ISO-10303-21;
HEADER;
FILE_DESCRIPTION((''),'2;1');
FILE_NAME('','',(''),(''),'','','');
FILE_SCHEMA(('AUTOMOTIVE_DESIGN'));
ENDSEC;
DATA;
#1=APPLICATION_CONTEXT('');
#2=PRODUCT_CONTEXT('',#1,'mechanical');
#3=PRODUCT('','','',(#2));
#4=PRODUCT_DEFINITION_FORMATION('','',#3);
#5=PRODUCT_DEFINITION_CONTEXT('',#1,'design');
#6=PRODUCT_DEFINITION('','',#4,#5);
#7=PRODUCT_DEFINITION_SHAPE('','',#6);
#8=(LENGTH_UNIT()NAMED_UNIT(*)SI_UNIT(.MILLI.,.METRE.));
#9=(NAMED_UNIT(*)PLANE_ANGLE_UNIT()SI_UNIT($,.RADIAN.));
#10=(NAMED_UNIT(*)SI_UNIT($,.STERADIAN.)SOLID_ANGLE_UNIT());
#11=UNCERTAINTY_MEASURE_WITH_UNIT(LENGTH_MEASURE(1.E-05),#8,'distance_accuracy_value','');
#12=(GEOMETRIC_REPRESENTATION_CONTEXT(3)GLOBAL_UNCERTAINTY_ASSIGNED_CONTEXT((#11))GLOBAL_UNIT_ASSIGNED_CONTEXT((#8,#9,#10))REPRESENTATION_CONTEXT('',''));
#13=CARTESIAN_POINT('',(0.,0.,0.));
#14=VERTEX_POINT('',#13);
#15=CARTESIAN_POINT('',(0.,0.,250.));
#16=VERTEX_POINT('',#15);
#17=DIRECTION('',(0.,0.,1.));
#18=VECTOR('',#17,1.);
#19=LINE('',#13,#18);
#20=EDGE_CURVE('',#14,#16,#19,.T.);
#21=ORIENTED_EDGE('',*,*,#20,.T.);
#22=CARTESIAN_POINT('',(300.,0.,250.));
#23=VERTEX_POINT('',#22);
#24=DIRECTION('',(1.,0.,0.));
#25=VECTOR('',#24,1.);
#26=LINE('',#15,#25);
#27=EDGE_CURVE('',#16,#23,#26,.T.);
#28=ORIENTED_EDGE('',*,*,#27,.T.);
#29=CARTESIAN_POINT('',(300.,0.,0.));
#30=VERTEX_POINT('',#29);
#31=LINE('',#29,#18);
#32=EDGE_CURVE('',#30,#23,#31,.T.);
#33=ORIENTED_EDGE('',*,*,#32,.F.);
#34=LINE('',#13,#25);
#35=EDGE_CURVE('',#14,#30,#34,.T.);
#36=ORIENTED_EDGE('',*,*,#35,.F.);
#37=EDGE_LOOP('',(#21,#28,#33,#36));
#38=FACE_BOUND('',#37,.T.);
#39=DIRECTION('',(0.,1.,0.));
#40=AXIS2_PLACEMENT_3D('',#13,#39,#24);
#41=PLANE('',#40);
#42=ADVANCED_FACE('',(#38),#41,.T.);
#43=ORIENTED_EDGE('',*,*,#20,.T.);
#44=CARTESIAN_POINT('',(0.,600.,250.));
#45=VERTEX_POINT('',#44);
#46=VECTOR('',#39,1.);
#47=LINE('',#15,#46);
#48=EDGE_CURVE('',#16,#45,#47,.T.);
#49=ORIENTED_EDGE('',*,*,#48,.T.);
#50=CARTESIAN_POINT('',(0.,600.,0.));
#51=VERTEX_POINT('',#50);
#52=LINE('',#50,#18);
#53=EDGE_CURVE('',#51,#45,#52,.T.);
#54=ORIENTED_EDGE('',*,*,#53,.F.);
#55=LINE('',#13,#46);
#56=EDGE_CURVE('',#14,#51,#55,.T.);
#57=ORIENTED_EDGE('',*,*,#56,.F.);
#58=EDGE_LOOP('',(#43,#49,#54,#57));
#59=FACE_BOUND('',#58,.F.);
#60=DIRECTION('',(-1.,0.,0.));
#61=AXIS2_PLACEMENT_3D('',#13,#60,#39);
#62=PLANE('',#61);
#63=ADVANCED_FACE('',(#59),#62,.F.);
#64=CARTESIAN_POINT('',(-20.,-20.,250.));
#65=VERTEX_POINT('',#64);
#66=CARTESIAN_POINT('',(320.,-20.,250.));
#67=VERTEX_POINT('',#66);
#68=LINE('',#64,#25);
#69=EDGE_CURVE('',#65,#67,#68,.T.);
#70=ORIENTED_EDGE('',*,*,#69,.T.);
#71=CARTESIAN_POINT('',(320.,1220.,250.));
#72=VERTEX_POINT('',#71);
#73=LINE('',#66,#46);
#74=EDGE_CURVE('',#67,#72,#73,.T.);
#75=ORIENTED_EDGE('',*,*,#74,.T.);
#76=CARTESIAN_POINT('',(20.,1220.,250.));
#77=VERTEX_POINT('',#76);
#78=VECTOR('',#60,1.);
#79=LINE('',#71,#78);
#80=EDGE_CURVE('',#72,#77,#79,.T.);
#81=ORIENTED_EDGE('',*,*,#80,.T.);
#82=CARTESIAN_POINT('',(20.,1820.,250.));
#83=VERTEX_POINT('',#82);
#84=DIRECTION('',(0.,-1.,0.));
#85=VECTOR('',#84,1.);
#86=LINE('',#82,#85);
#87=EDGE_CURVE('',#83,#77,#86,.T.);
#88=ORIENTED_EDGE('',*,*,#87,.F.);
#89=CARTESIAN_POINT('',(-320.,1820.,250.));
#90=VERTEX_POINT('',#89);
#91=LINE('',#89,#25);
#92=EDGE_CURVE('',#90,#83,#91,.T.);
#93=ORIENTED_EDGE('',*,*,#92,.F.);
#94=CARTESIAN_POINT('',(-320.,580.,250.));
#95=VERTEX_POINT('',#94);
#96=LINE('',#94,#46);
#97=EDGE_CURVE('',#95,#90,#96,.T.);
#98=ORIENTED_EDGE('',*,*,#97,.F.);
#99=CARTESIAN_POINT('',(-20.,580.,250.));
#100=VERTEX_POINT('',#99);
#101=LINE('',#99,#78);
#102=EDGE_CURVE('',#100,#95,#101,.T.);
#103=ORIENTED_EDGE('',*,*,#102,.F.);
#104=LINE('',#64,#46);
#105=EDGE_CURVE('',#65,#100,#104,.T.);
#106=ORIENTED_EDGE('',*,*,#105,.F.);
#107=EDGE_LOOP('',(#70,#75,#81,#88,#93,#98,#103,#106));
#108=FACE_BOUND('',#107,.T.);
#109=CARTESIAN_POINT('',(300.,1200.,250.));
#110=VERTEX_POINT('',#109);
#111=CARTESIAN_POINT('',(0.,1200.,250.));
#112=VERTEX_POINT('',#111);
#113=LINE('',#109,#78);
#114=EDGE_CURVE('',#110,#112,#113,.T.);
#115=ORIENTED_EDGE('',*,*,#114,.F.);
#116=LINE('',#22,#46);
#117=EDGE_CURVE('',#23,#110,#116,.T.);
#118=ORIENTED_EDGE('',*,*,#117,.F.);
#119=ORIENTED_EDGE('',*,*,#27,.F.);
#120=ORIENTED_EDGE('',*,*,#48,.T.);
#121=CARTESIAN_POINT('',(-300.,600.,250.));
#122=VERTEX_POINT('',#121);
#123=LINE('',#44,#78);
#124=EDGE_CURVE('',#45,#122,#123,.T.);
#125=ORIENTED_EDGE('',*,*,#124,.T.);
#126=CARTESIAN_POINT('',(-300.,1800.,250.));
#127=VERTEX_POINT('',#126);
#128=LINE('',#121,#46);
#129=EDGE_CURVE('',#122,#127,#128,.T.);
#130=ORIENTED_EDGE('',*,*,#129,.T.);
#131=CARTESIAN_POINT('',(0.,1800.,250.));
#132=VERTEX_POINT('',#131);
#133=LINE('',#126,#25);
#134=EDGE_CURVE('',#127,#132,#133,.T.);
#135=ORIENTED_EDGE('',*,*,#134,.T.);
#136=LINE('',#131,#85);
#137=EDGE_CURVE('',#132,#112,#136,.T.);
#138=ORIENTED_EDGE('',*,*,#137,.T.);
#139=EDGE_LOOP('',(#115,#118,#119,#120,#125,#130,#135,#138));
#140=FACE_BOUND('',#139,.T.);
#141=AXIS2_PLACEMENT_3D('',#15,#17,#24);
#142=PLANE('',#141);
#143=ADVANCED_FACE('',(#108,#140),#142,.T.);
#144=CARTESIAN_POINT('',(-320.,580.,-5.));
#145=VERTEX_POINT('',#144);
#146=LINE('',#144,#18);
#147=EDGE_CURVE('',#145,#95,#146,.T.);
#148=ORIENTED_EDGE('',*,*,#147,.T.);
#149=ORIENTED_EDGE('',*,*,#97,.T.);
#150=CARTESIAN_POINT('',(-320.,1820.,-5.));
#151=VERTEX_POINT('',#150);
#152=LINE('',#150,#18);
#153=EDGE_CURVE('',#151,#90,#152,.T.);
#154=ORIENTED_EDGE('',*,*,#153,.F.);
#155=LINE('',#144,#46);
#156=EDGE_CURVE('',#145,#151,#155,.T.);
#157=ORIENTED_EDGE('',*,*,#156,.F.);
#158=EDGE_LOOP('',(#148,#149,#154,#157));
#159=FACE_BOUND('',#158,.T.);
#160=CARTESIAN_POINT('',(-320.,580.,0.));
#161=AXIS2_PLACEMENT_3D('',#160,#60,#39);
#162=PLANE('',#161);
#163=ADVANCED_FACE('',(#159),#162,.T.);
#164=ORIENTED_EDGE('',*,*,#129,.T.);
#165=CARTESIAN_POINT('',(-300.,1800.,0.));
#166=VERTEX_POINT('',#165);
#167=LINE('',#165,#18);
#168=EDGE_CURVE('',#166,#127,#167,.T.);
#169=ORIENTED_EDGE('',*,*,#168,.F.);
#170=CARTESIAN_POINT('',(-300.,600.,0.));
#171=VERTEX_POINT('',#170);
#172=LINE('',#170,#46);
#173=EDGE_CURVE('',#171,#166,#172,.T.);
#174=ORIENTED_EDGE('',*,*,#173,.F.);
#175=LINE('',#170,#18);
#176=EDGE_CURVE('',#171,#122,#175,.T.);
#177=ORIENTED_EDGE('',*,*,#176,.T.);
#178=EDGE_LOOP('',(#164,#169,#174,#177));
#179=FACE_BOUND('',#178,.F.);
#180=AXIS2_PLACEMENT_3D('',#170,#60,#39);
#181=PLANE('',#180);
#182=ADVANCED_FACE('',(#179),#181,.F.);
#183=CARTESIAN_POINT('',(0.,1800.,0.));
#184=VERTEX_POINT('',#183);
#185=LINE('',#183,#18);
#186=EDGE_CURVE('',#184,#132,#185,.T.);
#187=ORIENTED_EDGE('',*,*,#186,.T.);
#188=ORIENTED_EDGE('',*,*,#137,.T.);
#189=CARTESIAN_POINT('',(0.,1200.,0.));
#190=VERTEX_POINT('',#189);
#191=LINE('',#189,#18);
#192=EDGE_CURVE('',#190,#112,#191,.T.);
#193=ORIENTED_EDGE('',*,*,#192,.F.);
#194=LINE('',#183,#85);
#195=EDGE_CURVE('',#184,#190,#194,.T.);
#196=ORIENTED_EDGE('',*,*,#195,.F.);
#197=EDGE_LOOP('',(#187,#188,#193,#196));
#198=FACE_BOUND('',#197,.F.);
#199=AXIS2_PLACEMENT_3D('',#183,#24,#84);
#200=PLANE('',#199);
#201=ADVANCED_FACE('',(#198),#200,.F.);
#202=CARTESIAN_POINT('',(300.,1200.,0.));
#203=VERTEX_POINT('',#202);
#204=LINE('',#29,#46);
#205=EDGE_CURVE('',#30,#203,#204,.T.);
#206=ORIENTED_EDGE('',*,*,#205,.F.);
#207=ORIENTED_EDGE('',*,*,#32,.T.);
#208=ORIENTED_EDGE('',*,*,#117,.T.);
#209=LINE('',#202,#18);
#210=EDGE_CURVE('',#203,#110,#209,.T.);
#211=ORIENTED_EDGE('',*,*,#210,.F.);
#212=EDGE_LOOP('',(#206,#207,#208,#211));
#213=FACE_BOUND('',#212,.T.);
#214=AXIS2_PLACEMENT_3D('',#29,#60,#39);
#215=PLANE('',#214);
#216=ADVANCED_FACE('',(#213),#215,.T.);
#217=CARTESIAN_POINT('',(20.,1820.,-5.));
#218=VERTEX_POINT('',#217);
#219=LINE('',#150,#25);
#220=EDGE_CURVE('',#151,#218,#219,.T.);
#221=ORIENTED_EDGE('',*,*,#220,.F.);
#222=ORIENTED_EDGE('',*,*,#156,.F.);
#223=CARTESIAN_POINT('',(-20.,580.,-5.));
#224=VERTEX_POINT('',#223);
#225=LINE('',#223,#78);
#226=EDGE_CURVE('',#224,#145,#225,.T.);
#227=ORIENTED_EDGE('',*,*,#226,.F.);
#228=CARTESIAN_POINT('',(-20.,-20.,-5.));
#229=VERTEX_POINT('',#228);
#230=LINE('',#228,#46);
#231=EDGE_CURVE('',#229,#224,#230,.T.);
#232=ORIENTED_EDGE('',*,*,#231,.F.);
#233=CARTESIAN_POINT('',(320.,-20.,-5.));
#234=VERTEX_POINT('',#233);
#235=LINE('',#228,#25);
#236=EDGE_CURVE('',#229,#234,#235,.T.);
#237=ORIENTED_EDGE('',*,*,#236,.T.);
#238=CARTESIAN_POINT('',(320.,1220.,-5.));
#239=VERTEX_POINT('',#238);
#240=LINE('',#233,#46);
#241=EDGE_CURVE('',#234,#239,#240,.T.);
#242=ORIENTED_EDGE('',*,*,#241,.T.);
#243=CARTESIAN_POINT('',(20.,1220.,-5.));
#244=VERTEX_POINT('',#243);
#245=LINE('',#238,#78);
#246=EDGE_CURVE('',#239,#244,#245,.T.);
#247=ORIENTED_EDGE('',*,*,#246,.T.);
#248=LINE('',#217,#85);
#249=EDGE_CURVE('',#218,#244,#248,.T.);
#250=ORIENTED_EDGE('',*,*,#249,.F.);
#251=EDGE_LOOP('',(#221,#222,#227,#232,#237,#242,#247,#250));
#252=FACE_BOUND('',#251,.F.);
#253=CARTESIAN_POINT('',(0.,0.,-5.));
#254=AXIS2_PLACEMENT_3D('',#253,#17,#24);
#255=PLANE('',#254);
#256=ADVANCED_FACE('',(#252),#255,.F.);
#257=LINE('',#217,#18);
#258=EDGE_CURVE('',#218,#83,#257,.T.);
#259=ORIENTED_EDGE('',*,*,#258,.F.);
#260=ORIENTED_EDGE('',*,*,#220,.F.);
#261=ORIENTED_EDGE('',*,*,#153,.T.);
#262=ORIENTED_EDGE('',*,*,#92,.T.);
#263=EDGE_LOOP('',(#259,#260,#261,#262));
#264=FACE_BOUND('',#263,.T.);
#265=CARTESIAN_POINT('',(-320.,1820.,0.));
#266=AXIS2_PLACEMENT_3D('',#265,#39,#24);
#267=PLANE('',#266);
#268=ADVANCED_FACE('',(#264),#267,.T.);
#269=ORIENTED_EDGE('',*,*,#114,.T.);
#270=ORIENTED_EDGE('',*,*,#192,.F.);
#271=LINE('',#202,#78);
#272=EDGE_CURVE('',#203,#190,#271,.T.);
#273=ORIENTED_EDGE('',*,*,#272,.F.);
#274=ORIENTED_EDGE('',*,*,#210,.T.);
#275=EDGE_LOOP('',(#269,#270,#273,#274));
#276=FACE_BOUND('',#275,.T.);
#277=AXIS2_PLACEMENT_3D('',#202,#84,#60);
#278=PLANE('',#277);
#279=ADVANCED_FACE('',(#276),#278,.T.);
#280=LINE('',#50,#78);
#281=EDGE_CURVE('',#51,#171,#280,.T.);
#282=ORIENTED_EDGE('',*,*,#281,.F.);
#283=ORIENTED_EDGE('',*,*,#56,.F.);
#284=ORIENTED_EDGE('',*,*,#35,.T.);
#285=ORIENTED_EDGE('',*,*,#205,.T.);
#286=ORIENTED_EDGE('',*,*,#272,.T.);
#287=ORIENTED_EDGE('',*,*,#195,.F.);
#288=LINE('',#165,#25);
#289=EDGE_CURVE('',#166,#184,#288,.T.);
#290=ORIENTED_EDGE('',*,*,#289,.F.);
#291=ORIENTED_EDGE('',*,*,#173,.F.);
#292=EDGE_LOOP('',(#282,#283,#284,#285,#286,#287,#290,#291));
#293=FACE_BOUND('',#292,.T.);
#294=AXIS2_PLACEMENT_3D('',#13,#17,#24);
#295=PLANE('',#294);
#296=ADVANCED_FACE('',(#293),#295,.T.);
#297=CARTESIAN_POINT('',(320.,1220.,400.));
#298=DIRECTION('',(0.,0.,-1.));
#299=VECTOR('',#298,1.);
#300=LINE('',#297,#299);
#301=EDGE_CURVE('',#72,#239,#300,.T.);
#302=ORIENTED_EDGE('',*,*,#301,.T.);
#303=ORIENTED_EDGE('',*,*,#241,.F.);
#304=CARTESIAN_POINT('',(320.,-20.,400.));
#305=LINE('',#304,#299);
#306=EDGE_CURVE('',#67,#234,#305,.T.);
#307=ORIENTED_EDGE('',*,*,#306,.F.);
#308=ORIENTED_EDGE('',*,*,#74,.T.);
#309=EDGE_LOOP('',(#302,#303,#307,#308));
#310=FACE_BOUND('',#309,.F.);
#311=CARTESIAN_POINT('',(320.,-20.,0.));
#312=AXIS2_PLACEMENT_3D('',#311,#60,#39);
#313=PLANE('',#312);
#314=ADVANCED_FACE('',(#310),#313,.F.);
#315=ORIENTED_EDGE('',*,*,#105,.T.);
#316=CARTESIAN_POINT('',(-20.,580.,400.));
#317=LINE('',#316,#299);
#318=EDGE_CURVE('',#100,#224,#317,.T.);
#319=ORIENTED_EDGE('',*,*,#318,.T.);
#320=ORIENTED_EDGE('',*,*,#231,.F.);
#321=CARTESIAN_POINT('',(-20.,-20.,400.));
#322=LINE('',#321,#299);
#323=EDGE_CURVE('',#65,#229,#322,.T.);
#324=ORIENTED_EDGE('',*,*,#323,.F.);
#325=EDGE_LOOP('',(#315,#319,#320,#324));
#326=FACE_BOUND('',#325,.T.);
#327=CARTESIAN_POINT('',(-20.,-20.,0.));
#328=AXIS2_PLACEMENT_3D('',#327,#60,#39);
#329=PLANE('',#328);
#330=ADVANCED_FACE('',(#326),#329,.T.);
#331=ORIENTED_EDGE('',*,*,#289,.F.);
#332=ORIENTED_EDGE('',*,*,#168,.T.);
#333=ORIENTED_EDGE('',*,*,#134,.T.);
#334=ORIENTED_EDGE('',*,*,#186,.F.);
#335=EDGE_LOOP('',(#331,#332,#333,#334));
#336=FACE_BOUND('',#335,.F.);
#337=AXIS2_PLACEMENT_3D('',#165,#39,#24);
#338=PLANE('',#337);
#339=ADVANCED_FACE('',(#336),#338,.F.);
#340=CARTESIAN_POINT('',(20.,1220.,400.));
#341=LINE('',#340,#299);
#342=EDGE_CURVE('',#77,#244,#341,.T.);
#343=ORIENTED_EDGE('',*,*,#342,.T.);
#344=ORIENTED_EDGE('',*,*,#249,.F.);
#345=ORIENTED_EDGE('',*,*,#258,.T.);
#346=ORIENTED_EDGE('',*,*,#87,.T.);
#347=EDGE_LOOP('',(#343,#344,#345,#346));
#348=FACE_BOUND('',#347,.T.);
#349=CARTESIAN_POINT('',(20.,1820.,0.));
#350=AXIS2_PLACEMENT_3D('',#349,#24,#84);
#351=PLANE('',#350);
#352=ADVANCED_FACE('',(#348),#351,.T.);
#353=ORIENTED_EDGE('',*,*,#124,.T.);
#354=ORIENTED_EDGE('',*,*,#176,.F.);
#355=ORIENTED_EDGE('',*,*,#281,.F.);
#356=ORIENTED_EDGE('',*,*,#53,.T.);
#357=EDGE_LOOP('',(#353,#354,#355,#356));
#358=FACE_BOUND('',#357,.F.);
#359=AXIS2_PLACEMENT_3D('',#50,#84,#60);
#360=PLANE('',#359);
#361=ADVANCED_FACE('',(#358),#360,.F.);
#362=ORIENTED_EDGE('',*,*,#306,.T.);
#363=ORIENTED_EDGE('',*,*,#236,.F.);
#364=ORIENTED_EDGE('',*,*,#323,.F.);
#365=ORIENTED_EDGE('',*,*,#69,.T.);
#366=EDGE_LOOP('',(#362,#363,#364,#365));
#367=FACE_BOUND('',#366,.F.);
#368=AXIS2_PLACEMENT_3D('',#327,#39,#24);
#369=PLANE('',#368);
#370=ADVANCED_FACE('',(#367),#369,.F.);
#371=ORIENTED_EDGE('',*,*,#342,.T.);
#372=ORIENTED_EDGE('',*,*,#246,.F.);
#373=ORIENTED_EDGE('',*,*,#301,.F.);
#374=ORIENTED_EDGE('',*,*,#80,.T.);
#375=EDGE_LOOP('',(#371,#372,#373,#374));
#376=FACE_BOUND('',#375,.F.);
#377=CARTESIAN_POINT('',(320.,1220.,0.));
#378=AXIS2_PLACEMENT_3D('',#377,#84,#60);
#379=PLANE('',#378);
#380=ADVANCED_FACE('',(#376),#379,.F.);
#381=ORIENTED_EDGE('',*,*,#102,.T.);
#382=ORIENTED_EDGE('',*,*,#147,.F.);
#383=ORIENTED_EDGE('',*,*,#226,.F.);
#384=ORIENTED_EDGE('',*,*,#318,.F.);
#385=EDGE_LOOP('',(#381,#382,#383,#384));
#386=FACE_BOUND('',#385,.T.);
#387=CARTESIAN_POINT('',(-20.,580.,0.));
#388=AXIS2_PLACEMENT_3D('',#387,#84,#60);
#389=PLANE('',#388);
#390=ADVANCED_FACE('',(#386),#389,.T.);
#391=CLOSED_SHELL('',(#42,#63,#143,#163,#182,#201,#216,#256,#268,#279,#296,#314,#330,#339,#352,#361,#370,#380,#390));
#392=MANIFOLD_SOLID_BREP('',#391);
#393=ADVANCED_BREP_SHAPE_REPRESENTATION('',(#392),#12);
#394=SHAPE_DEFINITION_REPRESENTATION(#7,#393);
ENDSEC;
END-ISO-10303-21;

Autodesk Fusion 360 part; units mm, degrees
sketch "Sketch1" plane through (0, 0, 0) normal (0, 0, 1) x (1, 0, 0)
  line L0 (0, 0) -> (300, 0)
  line L1 (300, 0) -> (300, 1200)
  line L2 (300, 1200) -> (0, 1200)
  line L3 (0, 600) -> (-300, 600)
  line L4 (-300, 600) -> (-300, 1800)
  line L5 (-300, 1800) -> (0, 1800)
  line L6 (0, 1800) -> (0, 1200)
  line L7 (0, 0) -> (0, 600)
  line L8 (20, 1820) -> (20, 1220)
  line L9 (320, 1220) -> (20, 1220)
  line L10 (320, -20) -> (320, 1220)
  line L11 (-20, -20) -> (320, -20)
  line L12 (-20, -20) -> (-20, 580)
  line L13 (-20, 580) -> (-320, 580)
  line L14 (-320, 580) -> (-320, 1820)
  line L15 (-320, 1820) -> (20, 1820)
  dimension "d1" = 300
  dimension "d2" = 1200
  dimension "d3" = 300
  dimension "d4" = 1200
  dimension "d5" = -20
extrude "Extrude1" add sketch "Sketch1" along normal blind 400 makes body 1
extrude "Extrude2" add sketch "Sketch1" against normal blind 5 separate body contours L0 L1 L2 L3 L4 L5 L6 L7 makes body 2
extrude "Extrude3" add sketch "Sketch1" against normal blind 5 bodies 1 2
extrude "Extrude4" cut 1 faces at (-313.3333, 1400, 400) along direction (0, 0, -1) blind 100 on bodies 1 bodies 1
extrude "Extrude5" cut 1 faces at (-313.3333, 1400, 300) along direction (0, 0, -1) blind 50 on bodies 1 bodies 1
